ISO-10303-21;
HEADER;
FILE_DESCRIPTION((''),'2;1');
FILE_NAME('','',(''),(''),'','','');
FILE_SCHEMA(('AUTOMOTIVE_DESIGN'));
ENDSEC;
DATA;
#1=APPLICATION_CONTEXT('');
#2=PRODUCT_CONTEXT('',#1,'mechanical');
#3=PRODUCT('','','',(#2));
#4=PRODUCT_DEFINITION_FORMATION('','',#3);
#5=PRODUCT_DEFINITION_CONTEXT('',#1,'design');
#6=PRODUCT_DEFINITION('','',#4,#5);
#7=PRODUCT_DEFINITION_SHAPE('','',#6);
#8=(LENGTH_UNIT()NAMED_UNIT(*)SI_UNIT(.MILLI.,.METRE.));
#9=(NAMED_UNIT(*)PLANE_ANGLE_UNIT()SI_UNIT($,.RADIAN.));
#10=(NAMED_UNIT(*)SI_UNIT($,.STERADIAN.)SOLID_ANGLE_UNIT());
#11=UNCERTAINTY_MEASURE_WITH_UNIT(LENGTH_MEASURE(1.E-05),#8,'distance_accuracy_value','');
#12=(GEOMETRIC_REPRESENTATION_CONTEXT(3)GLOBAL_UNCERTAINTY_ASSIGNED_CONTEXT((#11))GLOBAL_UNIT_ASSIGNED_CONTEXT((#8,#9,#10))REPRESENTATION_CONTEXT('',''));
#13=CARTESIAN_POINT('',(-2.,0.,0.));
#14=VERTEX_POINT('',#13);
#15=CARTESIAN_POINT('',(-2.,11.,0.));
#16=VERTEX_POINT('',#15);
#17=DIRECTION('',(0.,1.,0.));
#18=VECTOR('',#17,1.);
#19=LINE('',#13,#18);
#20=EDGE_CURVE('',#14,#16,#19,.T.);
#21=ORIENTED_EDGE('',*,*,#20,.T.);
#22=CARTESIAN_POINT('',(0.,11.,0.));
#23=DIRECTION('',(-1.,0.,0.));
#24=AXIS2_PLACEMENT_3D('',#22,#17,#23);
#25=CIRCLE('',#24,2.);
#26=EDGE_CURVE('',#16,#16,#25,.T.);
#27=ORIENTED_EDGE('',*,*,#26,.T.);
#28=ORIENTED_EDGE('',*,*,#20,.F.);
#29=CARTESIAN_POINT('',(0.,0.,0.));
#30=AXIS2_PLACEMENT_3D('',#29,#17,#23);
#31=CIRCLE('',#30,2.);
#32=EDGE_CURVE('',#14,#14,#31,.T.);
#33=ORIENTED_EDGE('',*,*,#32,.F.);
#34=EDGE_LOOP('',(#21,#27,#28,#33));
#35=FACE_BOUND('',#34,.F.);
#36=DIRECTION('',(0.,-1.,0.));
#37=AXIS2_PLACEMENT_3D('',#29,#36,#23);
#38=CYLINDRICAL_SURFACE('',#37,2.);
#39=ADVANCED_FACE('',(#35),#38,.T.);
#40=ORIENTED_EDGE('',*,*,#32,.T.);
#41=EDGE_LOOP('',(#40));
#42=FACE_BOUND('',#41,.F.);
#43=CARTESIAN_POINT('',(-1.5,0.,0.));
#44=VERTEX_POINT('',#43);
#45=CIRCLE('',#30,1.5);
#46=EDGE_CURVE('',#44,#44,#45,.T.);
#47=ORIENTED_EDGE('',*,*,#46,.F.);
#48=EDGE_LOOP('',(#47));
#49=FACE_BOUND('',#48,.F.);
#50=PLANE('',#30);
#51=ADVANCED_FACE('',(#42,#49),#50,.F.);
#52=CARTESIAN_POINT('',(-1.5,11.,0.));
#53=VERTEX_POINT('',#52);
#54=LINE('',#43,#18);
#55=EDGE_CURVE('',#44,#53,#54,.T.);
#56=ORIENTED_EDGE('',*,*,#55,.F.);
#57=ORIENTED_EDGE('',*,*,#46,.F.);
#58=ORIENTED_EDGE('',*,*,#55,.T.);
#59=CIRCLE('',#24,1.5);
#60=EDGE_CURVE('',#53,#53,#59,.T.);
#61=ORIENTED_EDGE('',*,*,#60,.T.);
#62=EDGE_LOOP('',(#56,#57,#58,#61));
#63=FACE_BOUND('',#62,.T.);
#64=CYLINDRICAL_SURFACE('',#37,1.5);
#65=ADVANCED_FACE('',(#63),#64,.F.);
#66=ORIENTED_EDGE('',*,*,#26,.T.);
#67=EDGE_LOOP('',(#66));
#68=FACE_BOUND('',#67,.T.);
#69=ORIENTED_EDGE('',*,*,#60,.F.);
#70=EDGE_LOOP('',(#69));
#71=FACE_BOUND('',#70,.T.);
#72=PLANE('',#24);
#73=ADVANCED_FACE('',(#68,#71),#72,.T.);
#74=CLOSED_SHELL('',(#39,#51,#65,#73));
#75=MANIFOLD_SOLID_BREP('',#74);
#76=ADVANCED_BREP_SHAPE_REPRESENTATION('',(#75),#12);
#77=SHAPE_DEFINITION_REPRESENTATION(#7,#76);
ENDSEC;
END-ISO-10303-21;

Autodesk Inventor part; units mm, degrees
ref_plane "YZ Plane" through (0, 0, 0) normal (1, 0, 0) x (0, 1, 0)
ref_plane "XZ Plane" through (0, 0, 0) normal (0, 1, 0) x (-1, 0, 0)
ref_plane "XY Plane" through (0, 0, 0) normal (0, 0, 1) x (1, 0, 0)
sketch "Sketch1" plane through (0, 0, 0) normal (0, 1, 0) x (-1, 0, 0)
  circle A0 centre (0, 0) radius 1.5
  circle A1 centre (0, 0) radius 2
  dimension "d0" = 3
  dimension "d1" = 4
extrude "Extrusion1" add sketch "Sketch1" along normal blind 11
properties part number "11mmSpacer"
